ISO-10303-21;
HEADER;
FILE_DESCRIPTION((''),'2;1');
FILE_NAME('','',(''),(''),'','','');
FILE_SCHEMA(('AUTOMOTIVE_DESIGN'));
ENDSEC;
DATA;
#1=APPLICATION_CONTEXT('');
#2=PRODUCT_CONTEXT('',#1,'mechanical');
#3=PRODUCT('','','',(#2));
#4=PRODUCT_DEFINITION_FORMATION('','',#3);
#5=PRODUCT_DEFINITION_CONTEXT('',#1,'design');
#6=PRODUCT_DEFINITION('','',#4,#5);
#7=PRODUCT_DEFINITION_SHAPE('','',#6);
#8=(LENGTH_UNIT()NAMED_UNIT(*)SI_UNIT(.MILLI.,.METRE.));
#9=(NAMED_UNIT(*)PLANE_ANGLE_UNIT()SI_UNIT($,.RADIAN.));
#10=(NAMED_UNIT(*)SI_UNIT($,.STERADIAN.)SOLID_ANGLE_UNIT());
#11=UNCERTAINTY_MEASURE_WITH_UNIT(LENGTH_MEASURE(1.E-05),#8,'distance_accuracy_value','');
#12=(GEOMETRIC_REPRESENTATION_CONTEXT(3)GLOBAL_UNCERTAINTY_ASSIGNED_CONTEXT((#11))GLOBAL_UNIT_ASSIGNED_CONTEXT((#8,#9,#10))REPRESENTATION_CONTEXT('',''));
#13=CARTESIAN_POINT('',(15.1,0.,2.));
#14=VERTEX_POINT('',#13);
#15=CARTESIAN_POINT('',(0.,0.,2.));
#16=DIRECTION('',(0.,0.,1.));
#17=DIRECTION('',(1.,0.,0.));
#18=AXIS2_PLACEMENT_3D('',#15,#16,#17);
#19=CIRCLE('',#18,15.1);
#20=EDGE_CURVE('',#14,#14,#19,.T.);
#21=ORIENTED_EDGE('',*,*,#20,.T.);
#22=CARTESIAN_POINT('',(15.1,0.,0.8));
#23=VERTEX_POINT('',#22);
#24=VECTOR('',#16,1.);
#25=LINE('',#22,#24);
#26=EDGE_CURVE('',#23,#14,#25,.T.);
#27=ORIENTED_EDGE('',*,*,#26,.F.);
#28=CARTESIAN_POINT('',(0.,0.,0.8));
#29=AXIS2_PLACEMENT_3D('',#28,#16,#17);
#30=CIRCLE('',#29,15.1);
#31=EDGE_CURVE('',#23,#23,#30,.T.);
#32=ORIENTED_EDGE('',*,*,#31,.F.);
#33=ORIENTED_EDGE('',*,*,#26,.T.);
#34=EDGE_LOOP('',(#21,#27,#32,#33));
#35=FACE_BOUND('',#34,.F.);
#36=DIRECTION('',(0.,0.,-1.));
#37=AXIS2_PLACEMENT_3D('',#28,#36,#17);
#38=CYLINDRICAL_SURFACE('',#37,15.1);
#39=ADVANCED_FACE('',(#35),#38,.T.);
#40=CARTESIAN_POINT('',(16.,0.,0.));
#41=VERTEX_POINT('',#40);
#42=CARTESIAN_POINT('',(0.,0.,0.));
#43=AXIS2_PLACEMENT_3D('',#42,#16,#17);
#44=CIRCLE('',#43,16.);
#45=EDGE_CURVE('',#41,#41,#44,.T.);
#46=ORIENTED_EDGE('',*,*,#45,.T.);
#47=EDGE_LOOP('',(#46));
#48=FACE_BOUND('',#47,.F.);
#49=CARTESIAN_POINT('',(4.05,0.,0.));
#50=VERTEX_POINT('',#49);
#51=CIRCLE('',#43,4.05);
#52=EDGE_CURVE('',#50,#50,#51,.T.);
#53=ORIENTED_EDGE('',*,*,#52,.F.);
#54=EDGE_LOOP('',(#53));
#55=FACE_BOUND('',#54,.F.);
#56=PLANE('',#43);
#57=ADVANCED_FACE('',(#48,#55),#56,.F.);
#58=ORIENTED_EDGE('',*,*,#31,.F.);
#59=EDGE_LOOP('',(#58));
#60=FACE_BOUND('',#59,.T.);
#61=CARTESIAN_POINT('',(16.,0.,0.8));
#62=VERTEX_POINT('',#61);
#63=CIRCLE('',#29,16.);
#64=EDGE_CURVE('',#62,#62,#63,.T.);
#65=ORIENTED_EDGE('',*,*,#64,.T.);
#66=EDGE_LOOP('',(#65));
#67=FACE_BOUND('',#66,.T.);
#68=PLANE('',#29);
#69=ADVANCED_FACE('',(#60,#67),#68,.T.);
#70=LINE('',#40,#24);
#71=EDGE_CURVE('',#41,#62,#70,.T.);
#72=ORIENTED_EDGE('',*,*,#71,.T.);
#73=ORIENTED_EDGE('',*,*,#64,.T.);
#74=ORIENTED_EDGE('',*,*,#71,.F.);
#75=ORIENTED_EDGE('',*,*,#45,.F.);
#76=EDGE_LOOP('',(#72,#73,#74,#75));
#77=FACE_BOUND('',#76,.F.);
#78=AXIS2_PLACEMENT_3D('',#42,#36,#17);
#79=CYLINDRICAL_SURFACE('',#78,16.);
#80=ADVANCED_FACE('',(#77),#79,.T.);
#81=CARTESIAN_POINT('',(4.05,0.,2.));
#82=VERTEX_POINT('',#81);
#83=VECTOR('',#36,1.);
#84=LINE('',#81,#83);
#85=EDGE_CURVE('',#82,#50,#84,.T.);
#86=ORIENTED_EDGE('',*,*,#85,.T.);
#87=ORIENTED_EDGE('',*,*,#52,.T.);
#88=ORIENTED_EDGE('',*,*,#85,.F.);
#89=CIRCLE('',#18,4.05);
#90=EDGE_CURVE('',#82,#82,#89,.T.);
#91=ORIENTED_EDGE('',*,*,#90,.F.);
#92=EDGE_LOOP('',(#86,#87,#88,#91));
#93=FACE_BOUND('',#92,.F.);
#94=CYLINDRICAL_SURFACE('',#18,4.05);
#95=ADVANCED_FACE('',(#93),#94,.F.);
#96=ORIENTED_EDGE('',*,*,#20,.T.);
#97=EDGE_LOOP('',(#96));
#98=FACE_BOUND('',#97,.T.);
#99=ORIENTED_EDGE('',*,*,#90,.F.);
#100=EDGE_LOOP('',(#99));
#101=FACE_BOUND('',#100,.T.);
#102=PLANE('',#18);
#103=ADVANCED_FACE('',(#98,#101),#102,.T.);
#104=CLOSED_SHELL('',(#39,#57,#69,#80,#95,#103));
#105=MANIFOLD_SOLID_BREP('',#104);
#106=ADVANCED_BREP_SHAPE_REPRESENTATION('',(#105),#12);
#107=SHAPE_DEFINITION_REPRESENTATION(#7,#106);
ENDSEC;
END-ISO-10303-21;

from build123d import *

# Parameters (mm, degrees)
SKETCH_R     = 16
PAD_DEPTH    = 0.8
SKETCH001_R  = 15.1
PAD001_DEPTH = 1.2
SKETCH002_R  = 4.05
POCKET_DEPTH = 2.001


with BuildPart() as part:
    # Sketch → Pad (new body)
    with BuildSketch(Plane.XY):
        Circle(SKETCH_R)
    extrude(amount=PAD_DEPTH)

    # Sketch001 → Pad001 (new body)
    with BuildSketch(Plane.XY.offset(0.8)):
        Circle(SKETCH001_R)
    extrude(amount=PAD001_DEPTH)

    # Sketch002 → Pocket (cut, through all)
    with BuildSketch(Plane.XY.offset(2)):
        Circle(SKETCH002_R)
    extrude(amount=-POCKET_DEPTH, mode=Mode.SUBTRACT)


solid = part.part
